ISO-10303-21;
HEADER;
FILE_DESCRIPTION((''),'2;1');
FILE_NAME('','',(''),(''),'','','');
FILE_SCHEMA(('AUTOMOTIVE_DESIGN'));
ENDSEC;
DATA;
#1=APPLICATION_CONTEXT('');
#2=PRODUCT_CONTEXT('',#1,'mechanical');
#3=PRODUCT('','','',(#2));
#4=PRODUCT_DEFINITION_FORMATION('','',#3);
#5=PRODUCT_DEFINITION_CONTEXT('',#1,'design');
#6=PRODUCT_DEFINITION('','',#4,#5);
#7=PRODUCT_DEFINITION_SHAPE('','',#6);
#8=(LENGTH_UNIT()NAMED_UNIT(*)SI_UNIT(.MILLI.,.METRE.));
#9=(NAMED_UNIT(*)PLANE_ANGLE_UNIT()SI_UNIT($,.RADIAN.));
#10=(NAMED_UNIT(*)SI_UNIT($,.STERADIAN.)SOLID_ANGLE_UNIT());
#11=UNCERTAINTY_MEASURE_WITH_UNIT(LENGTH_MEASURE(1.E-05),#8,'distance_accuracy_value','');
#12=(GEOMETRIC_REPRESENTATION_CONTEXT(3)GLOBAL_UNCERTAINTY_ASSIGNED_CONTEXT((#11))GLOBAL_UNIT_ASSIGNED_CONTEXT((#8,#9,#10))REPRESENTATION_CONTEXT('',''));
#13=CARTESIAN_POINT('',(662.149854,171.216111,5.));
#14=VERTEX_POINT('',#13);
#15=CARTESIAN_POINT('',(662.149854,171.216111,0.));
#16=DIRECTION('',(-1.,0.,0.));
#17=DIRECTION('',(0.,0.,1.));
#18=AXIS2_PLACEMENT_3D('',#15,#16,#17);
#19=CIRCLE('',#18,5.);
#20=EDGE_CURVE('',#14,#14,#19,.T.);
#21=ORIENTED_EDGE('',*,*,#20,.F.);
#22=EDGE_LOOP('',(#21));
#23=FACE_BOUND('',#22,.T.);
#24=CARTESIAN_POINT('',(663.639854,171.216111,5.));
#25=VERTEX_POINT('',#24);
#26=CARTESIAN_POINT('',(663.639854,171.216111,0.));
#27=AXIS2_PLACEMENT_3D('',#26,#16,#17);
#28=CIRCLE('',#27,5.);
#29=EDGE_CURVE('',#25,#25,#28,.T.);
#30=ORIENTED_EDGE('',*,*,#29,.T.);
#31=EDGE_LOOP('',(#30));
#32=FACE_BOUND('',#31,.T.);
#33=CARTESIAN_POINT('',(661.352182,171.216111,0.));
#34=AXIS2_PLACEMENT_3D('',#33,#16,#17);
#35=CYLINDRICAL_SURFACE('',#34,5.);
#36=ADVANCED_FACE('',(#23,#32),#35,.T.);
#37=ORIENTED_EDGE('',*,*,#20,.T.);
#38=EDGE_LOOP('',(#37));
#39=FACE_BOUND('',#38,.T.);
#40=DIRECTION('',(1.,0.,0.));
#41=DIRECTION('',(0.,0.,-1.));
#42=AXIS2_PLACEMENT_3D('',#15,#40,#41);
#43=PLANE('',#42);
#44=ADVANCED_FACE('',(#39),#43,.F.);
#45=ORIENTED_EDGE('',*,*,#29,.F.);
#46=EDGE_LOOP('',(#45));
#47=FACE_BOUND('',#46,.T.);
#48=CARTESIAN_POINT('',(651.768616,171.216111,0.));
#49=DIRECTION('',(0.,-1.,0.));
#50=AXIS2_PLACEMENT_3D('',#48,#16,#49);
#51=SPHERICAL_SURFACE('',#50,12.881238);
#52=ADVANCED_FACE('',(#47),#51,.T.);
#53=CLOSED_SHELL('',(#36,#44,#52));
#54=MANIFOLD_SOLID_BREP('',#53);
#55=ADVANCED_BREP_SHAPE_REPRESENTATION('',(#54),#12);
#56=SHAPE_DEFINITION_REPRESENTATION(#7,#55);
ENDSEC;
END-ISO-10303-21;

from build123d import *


with BuildPart() as part:
    # 草图1 → 旋转1 (revolve)
    with BuildSketch(Plane.XY, mode=Mode.PRIVATE) as revolve_1_sk:
        with BuildLine():
            Line((662.149854097, 171.216111307), (662.149854097, 176.216111307))
            Line((662.149854097, 176.216111307), (663.639854097, 176.216111307))
            ThreePointArc((663.639854097, 176.216111307), (664.394829592, 173.766606357), (664.649854097, 171.216111307))
            Line((664.649854097, 171.216111307), (662.149854097, 171.216111307))
        make_face()
    revolve(revolve_1_sk.sketch.rotate(Axis((661.352181843, 171.216111307, 0), (1, 0, 0)), 180), axis=Axis((661.352181843, 171.216111307, 0), (1, 0, 0)))  # turned: the seam where the file's is


solid = part.part
